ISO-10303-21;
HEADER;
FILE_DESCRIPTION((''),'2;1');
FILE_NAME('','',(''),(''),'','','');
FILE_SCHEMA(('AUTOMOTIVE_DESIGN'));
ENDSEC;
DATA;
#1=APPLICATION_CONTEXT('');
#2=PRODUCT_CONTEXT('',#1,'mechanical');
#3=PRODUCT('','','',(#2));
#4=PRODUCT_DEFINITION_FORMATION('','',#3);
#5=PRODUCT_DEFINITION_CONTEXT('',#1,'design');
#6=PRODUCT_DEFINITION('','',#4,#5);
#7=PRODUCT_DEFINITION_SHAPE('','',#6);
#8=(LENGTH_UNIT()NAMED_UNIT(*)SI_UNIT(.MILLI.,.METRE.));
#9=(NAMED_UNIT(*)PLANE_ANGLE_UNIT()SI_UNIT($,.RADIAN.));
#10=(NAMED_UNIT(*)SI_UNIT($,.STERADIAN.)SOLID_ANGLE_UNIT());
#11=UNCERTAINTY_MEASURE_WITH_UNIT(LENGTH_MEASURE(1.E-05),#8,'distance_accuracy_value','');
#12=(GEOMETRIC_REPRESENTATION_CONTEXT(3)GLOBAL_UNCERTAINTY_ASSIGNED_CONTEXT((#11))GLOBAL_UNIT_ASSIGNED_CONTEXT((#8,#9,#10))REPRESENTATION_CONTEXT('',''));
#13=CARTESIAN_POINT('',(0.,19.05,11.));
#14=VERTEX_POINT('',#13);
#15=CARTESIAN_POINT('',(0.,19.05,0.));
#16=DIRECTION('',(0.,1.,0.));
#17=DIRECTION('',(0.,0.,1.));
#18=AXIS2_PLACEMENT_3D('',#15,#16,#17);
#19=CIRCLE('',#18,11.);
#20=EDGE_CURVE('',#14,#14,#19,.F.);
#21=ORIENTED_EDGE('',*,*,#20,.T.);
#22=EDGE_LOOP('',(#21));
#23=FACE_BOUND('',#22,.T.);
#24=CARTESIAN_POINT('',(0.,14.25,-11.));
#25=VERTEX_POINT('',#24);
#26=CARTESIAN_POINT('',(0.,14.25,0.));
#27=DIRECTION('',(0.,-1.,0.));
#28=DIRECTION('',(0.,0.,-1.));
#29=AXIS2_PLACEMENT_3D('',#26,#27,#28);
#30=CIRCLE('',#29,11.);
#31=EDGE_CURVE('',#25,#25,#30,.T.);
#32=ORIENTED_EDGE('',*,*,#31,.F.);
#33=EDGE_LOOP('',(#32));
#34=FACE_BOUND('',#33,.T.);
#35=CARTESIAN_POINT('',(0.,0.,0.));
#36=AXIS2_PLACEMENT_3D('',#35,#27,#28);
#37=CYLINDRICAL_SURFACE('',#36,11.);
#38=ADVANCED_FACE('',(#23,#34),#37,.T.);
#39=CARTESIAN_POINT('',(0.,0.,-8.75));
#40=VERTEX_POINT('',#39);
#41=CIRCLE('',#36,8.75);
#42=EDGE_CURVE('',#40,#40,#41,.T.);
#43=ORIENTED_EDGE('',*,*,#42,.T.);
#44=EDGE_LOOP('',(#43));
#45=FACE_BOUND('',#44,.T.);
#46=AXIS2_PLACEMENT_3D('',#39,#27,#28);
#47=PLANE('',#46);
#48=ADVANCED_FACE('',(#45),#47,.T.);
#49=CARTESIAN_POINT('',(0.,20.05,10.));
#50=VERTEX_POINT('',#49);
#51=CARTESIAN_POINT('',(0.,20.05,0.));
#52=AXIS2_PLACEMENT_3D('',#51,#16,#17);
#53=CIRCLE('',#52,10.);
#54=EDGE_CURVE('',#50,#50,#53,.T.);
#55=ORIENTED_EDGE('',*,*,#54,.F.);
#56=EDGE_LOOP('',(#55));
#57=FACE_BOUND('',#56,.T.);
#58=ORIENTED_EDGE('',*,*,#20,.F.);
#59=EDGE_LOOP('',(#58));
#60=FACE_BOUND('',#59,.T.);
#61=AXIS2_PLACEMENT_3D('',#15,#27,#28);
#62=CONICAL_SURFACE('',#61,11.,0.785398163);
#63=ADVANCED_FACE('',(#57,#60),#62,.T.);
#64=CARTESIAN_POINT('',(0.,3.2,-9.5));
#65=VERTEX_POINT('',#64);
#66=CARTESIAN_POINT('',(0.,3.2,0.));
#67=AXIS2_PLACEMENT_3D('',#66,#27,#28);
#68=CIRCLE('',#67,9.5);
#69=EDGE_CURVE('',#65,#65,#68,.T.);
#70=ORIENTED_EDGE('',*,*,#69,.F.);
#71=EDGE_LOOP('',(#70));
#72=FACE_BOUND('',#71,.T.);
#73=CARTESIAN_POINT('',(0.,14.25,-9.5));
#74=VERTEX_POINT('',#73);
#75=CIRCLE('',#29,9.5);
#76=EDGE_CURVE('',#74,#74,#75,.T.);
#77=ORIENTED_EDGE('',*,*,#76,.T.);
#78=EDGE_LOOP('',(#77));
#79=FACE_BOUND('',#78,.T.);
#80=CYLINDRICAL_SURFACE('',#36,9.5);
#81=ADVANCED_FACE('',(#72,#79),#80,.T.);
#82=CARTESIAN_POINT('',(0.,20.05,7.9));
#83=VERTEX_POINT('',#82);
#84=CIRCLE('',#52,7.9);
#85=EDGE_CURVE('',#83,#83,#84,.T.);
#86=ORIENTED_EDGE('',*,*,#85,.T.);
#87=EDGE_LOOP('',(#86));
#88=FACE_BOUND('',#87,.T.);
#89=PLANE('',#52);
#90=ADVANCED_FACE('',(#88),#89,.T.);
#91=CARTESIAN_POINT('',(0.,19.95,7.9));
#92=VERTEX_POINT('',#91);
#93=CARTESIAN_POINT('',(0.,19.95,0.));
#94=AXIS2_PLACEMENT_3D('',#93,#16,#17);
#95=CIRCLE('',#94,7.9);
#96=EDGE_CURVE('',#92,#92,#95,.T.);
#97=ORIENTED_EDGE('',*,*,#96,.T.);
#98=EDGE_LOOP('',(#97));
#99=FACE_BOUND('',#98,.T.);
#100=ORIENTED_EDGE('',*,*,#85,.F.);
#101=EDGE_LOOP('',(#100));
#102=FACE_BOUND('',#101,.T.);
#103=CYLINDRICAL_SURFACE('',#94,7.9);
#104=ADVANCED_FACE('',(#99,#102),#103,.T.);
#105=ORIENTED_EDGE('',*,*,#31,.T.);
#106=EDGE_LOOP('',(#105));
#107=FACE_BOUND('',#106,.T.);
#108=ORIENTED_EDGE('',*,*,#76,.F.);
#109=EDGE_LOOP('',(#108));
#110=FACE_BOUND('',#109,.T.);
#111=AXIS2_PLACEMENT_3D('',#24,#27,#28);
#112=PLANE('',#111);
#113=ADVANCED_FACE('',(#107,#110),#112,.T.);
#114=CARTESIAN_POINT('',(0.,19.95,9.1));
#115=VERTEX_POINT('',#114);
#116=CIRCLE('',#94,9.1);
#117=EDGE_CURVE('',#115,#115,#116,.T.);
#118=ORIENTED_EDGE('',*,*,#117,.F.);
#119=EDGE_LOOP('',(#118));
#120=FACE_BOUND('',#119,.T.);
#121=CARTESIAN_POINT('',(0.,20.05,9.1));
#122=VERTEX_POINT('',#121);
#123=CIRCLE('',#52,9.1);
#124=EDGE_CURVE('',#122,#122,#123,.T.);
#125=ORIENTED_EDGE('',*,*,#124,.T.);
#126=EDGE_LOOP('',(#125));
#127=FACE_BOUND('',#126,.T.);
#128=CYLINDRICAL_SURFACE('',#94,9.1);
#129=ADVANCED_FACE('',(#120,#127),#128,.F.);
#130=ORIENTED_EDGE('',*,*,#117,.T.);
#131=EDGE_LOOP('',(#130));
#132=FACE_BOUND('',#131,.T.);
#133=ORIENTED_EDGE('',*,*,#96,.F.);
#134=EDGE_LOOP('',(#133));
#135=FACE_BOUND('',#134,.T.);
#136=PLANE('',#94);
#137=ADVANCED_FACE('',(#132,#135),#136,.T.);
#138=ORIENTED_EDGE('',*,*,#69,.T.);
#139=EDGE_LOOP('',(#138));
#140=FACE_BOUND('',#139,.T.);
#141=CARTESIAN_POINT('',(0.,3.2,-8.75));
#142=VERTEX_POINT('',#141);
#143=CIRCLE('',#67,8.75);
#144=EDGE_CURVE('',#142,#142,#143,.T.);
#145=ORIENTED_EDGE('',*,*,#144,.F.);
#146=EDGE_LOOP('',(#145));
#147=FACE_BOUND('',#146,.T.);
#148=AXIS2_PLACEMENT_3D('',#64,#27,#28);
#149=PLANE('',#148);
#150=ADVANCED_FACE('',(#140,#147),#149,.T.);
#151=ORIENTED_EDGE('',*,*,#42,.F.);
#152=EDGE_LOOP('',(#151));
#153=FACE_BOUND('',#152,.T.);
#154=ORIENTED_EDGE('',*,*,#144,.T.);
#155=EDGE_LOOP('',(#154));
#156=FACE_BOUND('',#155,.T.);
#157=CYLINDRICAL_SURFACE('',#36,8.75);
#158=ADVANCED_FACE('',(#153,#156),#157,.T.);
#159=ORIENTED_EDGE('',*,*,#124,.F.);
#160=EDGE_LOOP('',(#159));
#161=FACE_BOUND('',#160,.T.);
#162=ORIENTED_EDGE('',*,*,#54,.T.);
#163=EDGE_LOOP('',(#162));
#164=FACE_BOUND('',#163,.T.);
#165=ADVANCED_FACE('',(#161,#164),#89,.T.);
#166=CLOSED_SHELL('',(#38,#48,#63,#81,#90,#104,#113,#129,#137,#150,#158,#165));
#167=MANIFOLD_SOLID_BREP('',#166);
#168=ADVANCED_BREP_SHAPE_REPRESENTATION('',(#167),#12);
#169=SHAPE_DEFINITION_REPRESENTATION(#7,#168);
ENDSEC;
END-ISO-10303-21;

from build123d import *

# Parameters (mm, degrees)
SKETCH2_R          = 9.1
SKETCH2_R_2        = 7.9
CUT_EXTRUDE1_DEPTH = 0.1
CHAMFER1_SIZE      = 1


with BuildPart() as part:
    # Sketch1 → Revolve1 (revolve)
    with BuildSketch(Plane(origin=(0, 0, 0), x_dir=(0, 0, -1), z_dir=(1, 0, 0))):
        Polygon((0, 20.05), (11, 20.05), (11, 14.25), (9.5, 14.25), (9.5, 3.2), (8.75, 3.2), (8.75, 0), (0, 0), align=None)
    revolve(axis=Axis((0, 0, 0), (0, 1, 0)))

    # Sketch2 → Cut-Extrude1 (cut)
    with BuildSketch(Plane(origin=(0, 20.05, 0), x_dir=(1, 0, 0), z_dir=(0, 1, 0))):
        with Locations(Location((0, 0, 0), (0, 0, 270))):
            Circle(SKETCH2_R)
        with Locations(Location((0, 0, 0), (0, 0, 270))):
            Circle(SKETCH2_R_2, mode=Mode.SUBTRACT)
    extrude(amount=-CUT_EXTRUDE1_DEPTH, mode=Mode.SUBTRACT)

    # Chamfer1
    chamfer1_edges = [part.edges().sort_by_distance(p)[0] for p in [
        (0, 20.05, 11),
    ]]
    chamfer(chamfer1_edges, length=CHAMFER1_SIZE)


solid = part.part
